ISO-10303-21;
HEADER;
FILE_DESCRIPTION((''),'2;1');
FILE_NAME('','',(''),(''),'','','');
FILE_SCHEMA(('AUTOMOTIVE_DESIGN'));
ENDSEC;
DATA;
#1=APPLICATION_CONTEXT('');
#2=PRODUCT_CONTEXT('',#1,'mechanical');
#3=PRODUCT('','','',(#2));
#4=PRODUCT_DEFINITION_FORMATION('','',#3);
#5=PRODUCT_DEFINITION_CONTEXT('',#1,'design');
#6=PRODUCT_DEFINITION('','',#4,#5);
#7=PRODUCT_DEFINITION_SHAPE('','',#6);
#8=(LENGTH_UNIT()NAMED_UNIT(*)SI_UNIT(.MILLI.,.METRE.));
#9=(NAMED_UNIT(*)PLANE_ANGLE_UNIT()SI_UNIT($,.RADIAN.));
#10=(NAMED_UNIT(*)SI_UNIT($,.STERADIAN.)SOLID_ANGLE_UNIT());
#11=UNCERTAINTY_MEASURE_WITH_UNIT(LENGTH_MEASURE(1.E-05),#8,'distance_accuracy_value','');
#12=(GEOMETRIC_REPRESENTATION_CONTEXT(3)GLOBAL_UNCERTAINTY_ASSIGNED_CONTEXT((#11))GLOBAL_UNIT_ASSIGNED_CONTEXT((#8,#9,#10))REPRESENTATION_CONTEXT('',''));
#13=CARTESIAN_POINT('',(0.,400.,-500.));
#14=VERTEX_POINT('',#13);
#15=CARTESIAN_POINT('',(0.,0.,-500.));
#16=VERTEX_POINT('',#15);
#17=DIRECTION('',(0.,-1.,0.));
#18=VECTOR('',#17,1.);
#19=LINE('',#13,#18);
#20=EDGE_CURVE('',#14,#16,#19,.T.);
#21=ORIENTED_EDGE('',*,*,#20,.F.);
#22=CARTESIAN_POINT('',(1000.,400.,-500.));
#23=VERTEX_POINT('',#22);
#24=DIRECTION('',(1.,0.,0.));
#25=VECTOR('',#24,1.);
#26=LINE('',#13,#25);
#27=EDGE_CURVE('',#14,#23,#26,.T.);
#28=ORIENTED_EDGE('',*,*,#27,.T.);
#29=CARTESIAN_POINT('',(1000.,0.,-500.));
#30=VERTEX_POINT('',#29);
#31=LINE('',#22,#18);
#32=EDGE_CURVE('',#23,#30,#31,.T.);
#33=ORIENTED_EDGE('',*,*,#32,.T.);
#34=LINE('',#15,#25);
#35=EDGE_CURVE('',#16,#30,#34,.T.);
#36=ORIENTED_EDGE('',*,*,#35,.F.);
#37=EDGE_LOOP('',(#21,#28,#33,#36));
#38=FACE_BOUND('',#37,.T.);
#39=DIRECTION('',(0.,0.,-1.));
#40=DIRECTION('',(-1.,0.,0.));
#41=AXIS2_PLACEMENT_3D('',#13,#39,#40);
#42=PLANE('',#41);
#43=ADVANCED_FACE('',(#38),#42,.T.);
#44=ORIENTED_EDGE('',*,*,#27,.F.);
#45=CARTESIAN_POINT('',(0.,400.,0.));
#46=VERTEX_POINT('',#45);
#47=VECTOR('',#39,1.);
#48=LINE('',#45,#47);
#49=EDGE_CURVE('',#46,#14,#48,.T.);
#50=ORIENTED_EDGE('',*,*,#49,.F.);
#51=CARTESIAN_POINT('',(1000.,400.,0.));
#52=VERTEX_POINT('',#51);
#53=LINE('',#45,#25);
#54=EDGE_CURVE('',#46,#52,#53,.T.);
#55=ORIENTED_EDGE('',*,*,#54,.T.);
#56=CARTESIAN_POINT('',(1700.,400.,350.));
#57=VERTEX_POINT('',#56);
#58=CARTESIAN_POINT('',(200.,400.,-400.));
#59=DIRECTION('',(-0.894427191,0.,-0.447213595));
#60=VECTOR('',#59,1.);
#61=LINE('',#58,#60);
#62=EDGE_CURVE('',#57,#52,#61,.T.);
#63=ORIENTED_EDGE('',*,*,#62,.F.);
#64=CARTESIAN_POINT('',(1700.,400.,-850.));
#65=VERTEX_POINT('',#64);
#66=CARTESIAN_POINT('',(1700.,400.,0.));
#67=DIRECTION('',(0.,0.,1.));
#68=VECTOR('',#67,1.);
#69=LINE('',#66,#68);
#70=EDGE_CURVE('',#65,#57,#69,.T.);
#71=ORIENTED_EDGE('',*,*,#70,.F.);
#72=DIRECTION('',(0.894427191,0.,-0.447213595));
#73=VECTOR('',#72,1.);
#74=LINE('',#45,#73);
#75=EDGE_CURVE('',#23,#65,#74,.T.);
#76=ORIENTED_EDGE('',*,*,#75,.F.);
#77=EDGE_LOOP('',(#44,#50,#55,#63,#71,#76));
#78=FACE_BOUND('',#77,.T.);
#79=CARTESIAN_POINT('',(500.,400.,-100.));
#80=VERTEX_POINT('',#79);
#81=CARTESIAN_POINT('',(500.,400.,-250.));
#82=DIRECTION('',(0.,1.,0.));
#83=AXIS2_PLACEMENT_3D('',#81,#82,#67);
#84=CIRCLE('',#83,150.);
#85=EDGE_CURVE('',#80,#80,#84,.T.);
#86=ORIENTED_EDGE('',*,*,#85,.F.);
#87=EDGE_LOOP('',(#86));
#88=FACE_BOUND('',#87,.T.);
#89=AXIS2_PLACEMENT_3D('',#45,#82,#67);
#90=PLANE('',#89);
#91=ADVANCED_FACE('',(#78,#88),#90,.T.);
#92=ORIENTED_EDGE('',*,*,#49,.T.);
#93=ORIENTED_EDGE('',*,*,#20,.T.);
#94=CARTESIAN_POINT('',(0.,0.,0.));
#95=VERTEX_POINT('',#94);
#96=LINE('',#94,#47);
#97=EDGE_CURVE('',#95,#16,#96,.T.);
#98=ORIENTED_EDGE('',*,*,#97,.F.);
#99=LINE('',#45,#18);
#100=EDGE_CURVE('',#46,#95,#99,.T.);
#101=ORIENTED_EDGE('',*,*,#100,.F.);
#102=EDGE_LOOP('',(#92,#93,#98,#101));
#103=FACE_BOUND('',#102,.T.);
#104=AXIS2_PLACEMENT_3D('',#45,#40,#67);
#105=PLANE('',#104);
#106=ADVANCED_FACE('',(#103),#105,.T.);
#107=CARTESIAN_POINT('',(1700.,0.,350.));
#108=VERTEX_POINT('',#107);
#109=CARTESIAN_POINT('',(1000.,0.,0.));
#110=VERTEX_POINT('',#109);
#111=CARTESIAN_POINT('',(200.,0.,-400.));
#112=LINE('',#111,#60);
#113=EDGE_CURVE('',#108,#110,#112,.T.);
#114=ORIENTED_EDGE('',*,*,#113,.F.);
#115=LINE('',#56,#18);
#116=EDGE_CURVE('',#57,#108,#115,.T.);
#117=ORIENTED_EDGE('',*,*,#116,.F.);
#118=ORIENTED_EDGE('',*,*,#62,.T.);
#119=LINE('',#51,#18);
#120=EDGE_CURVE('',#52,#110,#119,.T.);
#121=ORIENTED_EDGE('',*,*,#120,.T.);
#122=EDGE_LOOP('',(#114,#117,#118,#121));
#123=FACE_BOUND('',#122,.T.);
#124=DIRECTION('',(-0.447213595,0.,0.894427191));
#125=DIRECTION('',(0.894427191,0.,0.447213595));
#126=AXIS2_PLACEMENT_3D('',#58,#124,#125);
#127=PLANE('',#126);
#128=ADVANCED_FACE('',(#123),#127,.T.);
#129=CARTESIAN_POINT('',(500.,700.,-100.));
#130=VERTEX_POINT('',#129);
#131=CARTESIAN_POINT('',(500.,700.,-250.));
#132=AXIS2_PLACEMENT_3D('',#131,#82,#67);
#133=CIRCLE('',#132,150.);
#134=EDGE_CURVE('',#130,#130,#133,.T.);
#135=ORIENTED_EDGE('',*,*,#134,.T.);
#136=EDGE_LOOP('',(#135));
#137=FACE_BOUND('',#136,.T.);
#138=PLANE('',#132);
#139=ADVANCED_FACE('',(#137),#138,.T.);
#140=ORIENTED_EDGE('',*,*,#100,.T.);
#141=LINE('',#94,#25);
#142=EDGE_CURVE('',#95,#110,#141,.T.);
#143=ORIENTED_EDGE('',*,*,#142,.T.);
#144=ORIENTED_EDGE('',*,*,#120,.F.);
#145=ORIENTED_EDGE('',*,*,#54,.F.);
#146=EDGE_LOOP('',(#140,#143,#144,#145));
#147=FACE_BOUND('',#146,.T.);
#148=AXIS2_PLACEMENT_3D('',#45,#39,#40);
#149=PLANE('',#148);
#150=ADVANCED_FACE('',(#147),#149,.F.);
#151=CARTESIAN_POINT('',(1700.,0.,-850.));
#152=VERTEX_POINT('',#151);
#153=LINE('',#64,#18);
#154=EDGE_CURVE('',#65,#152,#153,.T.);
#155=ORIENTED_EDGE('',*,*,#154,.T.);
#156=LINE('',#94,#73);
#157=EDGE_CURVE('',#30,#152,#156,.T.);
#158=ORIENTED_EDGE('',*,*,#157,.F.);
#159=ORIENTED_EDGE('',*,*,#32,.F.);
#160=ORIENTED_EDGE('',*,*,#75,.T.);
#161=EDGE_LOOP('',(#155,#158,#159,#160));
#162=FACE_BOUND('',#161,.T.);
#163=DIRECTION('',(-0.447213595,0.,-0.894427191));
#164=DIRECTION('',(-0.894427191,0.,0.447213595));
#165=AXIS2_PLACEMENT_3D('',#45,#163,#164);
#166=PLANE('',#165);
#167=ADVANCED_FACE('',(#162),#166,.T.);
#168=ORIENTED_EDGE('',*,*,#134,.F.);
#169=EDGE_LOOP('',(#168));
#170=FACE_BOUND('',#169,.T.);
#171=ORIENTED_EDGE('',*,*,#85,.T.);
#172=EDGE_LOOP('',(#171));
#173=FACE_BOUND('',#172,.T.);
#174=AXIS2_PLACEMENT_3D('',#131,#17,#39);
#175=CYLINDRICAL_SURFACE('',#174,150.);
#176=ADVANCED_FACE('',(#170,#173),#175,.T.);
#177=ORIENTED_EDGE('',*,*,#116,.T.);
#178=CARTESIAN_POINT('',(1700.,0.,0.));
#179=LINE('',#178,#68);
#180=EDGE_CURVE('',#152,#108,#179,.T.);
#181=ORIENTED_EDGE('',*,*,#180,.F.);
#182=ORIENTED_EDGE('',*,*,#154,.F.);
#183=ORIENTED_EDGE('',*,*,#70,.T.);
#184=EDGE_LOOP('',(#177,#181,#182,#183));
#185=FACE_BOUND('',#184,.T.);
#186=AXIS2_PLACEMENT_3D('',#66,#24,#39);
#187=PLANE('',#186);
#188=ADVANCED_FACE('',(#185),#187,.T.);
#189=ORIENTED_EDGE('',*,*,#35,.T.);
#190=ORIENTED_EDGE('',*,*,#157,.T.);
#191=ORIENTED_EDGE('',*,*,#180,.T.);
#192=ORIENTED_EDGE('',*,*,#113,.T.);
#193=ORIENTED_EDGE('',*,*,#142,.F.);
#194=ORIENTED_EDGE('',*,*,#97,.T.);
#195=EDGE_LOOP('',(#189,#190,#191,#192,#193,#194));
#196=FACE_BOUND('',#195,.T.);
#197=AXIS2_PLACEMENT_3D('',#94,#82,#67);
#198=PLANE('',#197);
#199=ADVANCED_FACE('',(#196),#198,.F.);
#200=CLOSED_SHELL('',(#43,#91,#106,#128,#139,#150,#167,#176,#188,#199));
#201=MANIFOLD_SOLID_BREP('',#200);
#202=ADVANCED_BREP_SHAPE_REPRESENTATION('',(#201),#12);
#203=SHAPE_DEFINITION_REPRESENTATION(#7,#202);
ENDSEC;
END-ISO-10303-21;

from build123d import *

# Parameters (mm, degrees)
SKETCH1_W           = 1000
SKETCH1_H           = 500
BOSS_EXTRUDE1_DEPTH = 400
SKETCH2_R           = 150
BOSS_EXTRUDE2_DEPTH = 300


with BuildPart() as part:
    # Sketch1 → Boss-Extrude1 (new body)
    with BuildSketch(Plane(origin=(0, 0, 0), x_dir=(1, 0, 0), z_dir=(0, 1, 0))):
        Polygon((1700, -350), (1000, 0), (1000, 500), (1700, 850), align=None)
        with Locations((500, 250)):
            Rectangle(SKETCH1_W, SKETCH1_H)
    extrude(amount=BOSS_EXTRUDE1_DEPTH)

    # Sketch2 → Boss-Extrude2 (add)
    with BuildSketch(Plane(origin=(0, 400, 0), x_dir=(1, 0, 0), z_dir=(0, 1, 0))):
        with Locations(Location((500, 250, 0), (0, 0, 270))):
            Circle(SKETCH2_R)
    extrude(amount=BOSS_EXTRUDE2_DEPTH)


solid = part.part
